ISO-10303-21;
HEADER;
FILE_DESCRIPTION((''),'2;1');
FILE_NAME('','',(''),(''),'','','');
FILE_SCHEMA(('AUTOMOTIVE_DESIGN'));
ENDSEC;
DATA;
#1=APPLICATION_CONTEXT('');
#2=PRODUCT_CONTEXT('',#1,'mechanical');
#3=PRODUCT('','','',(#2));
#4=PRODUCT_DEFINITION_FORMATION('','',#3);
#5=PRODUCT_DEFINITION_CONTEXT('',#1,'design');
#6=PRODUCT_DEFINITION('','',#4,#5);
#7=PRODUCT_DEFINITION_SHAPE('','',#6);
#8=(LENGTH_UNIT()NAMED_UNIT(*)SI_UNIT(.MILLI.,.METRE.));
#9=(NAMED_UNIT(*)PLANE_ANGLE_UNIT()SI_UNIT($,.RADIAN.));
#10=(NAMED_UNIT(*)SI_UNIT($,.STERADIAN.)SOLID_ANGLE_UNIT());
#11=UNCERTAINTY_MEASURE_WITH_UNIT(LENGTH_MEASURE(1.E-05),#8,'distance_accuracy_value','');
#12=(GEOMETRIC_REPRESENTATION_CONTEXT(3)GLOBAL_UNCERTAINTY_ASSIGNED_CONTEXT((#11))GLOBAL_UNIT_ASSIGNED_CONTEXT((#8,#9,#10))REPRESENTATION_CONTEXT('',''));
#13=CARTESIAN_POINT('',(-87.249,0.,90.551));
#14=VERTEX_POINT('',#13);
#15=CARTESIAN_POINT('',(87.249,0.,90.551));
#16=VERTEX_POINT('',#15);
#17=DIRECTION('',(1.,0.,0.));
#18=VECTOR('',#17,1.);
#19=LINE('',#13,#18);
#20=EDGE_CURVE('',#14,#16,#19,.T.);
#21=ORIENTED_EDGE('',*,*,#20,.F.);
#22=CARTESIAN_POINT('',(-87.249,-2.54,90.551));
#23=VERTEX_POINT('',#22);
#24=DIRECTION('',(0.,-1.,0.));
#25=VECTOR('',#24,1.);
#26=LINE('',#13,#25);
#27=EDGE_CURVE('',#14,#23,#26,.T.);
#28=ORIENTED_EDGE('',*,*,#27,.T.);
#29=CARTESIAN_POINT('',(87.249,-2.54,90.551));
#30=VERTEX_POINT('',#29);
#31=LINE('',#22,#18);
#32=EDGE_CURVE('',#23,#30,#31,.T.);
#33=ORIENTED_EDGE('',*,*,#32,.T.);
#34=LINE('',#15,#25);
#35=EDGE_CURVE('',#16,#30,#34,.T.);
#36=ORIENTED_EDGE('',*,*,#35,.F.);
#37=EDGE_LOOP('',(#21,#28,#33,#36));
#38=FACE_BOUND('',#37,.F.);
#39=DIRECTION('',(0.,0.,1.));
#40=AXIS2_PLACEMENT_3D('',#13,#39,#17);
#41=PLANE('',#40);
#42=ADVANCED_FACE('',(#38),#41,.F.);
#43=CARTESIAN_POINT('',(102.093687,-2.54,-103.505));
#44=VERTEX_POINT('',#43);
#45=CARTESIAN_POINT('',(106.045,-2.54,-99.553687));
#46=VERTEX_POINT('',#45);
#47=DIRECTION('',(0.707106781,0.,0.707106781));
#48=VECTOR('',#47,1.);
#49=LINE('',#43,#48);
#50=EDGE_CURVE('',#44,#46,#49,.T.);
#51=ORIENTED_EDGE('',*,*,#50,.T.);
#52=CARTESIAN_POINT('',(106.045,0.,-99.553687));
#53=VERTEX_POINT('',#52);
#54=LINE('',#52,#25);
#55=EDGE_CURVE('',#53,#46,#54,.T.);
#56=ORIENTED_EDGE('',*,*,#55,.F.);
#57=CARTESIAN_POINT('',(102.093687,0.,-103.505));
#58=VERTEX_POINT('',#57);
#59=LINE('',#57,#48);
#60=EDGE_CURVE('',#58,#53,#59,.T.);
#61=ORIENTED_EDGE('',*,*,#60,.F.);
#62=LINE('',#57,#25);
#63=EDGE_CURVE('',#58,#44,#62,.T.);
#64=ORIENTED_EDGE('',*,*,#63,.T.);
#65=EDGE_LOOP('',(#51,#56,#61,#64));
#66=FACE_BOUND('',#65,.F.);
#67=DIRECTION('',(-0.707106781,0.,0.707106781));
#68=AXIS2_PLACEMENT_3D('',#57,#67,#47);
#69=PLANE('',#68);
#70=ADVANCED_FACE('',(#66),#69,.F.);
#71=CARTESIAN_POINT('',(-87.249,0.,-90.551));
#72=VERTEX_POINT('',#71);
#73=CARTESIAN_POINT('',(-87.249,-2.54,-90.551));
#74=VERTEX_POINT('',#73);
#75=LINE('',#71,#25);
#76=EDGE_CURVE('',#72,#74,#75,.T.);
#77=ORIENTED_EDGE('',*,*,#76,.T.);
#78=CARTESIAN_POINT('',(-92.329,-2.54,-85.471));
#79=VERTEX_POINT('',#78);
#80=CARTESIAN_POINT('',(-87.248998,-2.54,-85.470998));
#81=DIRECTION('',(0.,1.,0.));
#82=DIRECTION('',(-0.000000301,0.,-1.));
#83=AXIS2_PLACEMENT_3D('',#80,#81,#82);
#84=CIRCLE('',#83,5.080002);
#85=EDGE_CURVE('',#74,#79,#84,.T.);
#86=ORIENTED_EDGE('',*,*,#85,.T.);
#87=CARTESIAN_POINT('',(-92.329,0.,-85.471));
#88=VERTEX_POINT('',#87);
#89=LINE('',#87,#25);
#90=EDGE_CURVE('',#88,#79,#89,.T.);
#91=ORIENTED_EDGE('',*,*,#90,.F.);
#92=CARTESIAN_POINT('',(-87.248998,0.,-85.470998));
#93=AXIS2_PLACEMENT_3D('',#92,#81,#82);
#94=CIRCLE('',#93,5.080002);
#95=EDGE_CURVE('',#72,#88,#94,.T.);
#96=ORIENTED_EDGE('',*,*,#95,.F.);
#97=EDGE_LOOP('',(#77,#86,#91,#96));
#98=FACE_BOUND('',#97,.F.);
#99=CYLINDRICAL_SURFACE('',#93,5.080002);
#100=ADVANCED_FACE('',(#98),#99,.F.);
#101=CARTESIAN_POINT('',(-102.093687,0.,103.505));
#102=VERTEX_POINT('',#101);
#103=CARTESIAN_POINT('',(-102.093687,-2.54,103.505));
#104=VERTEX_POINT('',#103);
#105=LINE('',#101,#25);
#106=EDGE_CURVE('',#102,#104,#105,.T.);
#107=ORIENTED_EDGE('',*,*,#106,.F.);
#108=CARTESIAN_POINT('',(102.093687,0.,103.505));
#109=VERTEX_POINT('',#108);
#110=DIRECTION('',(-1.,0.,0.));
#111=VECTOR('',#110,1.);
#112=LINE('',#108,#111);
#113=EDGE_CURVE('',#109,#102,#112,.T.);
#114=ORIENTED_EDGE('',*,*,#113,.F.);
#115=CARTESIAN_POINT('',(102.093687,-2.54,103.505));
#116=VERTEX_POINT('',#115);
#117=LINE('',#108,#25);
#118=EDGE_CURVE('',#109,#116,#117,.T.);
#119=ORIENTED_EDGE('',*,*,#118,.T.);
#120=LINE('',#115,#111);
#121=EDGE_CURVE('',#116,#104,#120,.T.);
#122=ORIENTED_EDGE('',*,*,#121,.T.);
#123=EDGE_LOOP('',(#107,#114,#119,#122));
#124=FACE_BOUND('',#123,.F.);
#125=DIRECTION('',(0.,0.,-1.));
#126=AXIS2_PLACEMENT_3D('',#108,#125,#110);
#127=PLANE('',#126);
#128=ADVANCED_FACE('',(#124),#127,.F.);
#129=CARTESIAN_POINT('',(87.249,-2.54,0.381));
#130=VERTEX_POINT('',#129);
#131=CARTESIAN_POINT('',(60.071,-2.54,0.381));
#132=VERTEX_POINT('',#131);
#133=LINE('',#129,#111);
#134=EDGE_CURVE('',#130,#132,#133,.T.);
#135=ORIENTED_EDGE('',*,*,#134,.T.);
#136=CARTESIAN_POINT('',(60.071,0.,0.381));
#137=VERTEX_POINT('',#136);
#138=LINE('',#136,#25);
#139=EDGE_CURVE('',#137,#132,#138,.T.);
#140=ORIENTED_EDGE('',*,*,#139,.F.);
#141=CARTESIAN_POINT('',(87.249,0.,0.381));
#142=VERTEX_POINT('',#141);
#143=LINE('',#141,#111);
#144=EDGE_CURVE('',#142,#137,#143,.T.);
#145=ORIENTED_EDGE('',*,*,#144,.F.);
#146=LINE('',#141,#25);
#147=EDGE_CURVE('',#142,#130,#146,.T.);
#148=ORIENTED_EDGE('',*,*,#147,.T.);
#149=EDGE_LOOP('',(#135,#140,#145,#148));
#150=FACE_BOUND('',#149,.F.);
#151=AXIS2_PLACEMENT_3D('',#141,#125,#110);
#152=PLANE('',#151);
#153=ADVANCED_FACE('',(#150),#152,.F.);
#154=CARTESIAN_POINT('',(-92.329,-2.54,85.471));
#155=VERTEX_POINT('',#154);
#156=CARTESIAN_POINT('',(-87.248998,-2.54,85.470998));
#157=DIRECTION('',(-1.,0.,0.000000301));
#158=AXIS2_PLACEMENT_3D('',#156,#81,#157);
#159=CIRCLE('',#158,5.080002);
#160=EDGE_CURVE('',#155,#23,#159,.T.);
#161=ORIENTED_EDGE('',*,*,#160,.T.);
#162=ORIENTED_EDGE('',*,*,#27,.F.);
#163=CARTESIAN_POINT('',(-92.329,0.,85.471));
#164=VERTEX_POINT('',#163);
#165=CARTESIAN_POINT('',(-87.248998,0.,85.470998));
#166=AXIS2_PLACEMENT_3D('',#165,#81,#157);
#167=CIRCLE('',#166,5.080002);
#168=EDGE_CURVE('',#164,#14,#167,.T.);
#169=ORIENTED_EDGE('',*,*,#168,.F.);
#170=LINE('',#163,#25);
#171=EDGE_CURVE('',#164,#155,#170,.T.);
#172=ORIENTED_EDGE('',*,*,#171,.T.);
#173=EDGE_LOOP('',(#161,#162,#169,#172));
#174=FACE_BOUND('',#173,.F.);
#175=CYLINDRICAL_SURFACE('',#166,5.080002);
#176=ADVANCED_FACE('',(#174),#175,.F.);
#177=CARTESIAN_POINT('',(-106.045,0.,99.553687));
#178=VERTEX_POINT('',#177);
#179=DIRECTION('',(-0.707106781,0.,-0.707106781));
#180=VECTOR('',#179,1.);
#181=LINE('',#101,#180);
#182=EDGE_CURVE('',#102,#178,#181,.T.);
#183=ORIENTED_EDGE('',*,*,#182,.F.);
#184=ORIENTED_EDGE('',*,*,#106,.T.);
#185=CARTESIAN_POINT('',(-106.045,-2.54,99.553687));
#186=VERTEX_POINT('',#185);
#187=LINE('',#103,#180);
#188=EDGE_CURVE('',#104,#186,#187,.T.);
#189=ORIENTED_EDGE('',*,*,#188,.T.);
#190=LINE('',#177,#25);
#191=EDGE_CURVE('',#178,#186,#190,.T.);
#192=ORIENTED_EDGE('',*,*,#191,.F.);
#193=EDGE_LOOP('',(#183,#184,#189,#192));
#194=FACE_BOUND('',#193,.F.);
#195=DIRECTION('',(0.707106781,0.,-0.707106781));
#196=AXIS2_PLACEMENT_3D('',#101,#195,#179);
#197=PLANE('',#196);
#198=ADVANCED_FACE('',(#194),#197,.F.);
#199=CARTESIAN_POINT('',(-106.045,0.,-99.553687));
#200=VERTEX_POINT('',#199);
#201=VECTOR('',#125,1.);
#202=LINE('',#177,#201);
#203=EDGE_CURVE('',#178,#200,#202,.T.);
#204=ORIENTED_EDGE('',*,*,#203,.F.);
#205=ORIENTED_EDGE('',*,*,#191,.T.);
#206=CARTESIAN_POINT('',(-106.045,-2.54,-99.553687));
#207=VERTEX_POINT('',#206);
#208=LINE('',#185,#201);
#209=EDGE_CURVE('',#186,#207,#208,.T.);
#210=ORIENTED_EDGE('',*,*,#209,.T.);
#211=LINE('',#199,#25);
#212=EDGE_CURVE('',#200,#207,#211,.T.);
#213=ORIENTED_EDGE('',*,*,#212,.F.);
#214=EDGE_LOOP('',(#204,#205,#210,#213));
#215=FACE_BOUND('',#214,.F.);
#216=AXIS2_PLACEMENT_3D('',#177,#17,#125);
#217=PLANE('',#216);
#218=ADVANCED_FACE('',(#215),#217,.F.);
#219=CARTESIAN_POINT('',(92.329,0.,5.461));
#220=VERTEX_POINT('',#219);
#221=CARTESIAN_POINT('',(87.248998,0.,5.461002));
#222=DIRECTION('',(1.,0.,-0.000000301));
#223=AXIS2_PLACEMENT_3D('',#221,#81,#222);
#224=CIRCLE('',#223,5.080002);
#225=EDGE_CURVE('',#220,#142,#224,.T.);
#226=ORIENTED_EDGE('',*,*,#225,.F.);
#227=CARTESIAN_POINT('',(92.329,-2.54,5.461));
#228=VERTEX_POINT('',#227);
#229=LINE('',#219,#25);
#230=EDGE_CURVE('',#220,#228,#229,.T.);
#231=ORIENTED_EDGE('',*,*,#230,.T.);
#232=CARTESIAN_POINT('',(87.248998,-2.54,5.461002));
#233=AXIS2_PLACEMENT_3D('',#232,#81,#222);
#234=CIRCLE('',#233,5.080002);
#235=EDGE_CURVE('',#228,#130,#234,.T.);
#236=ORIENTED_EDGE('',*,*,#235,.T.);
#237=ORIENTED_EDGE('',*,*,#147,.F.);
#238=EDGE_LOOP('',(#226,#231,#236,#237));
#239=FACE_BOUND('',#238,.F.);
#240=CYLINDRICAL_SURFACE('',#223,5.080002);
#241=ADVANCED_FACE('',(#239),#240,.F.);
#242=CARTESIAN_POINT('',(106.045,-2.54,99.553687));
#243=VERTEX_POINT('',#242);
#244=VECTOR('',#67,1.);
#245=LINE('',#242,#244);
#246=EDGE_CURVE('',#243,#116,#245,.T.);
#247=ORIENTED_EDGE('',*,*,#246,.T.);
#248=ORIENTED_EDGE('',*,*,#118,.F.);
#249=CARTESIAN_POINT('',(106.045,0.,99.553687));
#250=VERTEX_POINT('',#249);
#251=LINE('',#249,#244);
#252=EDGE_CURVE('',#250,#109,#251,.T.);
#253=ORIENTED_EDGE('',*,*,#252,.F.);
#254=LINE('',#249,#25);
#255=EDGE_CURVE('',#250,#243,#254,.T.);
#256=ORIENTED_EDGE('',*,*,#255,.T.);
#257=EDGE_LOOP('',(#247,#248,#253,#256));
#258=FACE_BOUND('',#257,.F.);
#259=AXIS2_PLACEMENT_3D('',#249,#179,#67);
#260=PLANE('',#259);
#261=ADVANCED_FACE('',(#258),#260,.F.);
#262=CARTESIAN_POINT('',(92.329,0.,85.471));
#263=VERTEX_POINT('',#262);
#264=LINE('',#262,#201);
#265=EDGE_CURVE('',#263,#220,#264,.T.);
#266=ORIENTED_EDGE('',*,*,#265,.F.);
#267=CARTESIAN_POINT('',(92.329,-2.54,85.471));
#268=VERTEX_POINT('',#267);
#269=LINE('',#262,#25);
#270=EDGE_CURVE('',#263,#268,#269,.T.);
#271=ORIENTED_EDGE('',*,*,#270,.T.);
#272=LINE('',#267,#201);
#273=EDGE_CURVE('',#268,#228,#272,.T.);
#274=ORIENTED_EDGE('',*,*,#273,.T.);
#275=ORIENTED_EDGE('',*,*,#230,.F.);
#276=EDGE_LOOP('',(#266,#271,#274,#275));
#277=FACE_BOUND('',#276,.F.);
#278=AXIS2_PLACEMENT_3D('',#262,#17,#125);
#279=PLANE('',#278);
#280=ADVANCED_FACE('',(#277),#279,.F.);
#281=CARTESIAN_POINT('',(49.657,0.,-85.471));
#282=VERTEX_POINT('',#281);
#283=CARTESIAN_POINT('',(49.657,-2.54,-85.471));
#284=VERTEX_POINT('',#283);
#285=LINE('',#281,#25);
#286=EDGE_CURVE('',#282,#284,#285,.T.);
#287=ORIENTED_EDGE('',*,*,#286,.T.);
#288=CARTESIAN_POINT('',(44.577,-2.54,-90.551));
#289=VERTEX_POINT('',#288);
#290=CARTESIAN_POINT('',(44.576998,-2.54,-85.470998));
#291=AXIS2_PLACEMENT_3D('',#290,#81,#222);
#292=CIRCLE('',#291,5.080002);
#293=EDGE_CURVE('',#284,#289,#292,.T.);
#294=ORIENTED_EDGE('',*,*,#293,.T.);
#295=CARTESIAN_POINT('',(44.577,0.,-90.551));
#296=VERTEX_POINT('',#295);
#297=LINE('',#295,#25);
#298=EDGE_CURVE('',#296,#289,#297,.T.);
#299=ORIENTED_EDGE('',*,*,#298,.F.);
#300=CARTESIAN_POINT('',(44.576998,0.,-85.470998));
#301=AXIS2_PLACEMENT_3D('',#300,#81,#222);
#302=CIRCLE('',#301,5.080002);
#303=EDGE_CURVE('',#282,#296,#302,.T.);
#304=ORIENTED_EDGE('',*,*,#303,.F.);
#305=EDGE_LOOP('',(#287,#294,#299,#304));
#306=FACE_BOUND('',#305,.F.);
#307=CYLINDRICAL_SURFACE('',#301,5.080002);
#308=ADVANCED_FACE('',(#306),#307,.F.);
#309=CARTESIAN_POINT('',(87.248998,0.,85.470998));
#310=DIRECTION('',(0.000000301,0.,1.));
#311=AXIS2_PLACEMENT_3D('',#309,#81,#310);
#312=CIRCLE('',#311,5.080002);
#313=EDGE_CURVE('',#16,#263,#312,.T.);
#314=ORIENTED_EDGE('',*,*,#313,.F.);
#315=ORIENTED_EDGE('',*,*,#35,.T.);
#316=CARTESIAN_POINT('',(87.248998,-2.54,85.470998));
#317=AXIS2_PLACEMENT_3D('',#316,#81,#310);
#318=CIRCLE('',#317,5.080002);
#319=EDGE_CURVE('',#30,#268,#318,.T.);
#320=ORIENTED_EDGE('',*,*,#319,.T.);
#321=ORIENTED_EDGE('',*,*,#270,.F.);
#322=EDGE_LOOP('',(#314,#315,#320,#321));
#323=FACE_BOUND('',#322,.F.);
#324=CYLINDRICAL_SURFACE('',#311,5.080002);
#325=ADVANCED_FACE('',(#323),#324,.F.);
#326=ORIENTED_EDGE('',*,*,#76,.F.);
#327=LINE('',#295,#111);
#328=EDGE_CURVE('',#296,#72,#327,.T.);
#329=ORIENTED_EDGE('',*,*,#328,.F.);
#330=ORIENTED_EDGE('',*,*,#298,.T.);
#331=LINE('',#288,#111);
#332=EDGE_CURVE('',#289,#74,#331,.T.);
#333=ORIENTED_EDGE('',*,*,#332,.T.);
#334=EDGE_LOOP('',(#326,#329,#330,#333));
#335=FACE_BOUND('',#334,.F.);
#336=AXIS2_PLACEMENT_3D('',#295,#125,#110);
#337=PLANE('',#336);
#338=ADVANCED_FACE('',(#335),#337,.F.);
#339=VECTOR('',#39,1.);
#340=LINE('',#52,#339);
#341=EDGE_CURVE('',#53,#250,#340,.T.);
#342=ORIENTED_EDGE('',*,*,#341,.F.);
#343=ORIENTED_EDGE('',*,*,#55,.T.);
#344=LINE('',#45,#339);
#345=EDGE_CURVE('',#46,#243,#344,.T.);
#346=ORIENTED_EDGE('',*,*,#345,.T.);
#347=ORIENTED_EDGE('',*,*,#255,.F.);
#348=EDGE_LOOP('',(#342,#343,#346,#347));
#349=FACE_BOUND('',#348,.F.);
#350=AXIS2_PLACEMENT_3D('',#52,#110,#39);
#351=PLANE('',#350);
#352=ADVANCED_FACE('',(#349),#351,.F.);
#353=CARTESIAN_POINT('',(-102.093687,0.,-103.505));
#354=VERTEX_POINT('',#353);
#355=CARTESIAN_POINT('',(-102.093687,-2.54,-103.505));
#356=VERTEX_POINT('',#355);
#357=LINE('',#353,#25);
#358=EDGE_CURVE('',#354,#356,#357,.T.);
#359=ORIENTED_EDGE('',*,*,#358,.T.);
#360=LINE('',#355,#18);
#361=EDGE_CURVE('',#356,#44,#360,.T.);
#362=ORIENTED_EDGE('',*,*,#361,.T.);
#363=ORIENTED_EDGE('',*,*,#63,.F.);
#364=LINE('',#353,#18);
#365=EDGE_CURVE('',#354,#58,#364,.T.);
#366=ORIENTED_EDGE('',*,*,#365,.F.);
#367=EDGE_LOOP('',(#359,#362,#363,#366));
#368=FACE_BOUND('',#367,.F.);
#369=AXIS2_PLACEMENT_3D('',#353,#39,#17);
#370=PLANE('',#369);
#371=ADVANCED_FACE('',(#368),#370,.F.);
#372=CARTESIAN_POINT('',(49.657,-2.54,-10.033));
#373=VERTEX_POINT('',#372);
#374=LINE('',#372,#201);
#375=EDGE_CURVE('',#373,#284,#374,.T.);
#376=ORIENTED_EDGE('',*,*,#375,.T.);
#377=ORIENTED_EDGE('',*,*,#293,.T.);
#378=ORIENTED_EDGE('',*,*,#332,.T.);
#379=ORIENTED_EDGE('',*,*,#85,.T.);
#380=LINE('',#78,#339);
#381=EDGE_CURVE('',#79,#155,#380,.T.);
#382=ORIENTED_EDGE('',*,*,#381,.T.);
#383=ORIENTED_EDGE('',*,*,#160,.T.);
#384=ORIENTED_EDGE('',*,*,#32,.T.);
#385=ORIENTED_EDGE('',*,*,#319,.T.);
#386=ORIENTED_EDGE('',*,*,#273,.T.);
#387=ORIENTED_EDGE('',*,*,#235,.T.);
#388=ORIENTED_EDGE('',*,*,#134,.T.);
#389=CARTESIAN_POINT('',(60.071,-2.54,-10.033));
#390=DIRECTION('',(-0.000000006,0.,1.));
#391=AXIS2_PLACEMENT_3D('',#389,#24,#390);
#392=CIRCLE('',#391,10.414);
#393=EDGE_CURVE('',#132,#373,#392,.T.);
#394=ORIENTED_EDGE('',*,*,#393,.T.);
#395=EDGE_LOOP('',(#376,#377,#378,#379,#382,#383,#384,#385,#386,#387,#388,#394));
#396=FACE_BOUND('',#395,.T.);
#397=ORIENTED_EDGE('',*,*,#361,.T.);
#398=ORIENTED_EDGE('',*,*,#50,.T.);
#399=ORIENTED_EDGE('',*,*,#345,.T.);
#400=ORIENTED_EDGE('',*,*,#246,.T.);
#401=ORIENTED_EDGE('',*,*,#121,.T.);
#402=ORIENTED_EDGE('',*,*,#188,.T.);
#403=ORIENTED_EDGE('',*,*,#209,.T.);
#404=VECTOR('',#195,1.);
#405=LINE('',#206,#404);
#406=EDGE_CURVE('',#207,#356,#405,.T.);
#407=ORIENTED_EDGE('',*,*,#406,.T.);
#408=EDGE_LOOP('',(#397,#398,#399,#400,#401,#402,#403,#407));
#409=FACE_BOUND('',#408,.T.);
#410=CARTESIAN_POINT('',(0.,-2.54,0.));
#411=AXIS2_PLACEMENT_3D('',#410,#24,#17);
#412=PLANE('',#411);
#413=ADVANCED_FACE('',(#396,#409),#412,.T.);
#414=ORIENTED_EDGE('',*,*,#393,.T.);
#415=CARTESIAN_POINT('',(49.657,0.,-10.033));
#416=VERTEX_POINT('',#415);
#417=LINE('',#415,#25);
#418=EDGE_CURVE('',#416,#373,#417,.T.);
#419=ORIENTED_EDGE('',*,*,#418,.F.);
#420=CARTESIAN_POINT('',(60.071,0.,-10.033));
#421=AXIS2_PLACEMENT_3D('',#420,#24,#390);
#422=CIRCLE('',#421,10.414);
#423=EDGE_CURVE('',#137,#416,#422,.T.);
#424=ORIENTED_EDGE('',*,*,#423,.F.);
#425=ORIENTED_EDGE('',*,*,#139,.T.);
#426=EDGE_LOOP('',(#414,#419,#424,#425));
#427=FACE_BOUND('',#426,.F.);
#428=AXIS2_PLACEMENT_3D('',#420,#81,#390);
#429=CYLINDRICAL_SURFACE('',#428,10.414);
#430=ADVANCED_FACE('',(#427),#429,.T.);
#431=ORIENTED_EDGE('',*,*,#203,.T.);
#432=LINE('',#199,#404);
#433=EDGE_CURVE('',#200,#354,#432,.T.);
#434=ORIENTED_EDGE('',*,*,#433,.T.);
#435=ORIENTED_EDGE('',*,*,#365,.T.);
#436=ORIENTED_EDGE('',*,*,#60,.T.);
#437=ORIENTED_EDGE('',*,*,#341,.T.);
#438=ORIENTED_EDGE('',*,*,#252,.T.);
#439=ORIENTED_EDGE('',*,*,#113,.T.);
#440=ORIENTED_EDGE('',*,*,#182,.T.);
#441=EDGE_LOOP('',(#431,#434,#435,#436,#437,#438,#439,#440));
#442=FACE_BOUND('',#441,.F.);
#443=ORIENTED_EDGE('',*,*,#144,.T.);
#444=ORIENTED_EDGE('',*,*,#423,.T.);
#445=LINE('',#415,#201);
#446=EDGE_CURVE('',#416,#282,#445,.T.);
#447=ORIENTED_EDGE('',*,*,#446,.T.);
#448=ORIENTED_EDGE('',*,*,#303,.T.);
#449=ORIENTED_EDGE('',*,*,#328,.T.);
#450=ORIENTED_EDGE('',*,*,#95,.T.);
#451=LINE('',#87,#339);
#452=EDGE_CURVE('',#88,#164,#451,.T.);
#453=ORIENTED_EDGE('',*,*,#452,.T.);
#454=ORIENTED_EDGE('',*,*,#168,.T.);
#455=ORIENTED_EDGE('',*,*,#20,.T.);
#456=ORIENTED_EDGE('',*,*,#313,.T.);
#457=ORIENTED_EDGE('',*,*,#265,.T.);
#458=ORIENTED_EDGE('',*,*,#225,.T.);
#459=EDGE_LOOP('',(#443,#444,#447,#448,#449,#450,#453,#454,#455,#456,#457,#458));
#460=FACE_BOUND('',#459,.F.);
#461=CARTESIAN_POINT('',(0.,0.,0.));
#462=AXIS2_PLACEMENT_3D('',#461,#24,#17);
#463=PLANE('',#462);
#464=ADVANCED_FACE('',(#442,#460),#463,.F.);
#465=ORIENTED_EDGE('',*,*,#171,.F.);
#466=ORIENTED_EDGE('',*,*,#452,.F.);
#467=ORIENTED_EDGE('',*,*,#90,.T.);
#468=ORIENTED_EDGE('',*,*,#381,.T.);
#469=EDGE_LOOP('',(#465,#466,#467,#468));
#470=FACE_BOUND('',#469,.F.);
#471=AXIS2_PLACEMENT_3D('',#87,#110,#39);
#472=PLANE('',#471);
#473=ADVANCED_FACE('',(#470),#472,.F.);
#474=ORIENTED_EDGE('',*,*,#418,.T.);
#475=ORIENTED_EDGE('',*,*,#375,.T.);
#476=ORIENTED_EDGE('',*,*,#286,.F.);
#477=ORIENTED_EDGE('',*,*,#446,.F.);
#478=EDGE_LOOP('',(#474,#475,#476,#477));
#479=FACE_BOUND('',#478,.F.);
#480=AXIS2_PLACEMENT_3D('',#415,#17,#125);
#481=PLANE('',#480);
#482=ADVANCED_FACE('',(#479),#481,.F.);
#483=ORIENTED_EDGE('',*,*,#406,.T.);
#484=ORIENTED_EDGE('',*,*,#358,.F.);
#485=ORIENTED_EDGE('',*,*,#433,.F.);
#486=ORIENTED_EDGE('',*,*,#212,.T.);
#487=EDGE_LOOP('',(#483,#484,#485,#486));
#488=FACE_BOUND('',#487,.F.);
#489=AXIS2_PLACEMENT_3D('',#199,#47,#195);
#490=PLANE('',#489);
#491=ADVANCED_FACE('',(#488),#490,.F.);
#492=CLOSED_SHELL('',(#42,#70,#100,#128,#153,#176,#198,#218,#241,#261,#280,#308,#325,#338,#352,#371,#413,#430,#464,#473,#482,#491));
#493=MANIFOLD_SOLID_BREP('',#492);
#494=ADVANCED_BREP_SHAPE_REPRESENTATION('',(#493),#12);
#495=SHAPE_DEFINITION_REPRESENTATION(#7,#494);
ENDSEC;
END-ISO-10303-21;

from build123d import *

# Parameters (mm, degrees)
F1_DEPTH = 2.54


with BuildPart() as f1:
    # F0 (on Front) → F1 (new body)
    with BuildSketch(Plane.XZ):
        Polygon((-106.045, -99.553687), (-102.093687, -103.505), (102.093687, -103.505), (106.045, -99.553687), (106.045, 99.553687), (102.093687, 103.505), (-102.093687, 103.505), (-106.045, 99.553687), align=None)
        with BuildLine():
            ThreePointArc((-92.329, 85.471), (-90.841102, 89.063102), (-87.249, 90.551))
            Line((-87.249, 90.551), (87.249, 90.551))
            ThreePointArc((87.249, 90.551), (90.841102, 89.063102), (92.329, 85.471))
            Line((92.329, 85.471), (92.329, 5.461))
            ThreePointArc((92.329, 5.461), (90.841102, 1.868898), (87.249, 0.381))
            Line((87.249, 0.381), (60.071, 0.381))
            ThreePointArc((60.071, 0.381), (52.70719, -2.66919), (49.657, -10.033))
            Line((49.657, -10.033), (49.657, -85.471))
            ThreePointArc((49.657, -85.471), (48.169102, -89.063102), (44.577, -90.551))
            Line((44.577, -90.551), (-87.249, -90.551))
            ThreePointArc((-87.249, -90.551), (-90.841102, -89.063102), (-92.329, -85.471))
            Line((-92.329, -85.471), (-92.329, 85.471))
        make_face(mode=Mode.SUBTRACT)
    extrude(amount=F1_DEPTH)


solid = f1.part
